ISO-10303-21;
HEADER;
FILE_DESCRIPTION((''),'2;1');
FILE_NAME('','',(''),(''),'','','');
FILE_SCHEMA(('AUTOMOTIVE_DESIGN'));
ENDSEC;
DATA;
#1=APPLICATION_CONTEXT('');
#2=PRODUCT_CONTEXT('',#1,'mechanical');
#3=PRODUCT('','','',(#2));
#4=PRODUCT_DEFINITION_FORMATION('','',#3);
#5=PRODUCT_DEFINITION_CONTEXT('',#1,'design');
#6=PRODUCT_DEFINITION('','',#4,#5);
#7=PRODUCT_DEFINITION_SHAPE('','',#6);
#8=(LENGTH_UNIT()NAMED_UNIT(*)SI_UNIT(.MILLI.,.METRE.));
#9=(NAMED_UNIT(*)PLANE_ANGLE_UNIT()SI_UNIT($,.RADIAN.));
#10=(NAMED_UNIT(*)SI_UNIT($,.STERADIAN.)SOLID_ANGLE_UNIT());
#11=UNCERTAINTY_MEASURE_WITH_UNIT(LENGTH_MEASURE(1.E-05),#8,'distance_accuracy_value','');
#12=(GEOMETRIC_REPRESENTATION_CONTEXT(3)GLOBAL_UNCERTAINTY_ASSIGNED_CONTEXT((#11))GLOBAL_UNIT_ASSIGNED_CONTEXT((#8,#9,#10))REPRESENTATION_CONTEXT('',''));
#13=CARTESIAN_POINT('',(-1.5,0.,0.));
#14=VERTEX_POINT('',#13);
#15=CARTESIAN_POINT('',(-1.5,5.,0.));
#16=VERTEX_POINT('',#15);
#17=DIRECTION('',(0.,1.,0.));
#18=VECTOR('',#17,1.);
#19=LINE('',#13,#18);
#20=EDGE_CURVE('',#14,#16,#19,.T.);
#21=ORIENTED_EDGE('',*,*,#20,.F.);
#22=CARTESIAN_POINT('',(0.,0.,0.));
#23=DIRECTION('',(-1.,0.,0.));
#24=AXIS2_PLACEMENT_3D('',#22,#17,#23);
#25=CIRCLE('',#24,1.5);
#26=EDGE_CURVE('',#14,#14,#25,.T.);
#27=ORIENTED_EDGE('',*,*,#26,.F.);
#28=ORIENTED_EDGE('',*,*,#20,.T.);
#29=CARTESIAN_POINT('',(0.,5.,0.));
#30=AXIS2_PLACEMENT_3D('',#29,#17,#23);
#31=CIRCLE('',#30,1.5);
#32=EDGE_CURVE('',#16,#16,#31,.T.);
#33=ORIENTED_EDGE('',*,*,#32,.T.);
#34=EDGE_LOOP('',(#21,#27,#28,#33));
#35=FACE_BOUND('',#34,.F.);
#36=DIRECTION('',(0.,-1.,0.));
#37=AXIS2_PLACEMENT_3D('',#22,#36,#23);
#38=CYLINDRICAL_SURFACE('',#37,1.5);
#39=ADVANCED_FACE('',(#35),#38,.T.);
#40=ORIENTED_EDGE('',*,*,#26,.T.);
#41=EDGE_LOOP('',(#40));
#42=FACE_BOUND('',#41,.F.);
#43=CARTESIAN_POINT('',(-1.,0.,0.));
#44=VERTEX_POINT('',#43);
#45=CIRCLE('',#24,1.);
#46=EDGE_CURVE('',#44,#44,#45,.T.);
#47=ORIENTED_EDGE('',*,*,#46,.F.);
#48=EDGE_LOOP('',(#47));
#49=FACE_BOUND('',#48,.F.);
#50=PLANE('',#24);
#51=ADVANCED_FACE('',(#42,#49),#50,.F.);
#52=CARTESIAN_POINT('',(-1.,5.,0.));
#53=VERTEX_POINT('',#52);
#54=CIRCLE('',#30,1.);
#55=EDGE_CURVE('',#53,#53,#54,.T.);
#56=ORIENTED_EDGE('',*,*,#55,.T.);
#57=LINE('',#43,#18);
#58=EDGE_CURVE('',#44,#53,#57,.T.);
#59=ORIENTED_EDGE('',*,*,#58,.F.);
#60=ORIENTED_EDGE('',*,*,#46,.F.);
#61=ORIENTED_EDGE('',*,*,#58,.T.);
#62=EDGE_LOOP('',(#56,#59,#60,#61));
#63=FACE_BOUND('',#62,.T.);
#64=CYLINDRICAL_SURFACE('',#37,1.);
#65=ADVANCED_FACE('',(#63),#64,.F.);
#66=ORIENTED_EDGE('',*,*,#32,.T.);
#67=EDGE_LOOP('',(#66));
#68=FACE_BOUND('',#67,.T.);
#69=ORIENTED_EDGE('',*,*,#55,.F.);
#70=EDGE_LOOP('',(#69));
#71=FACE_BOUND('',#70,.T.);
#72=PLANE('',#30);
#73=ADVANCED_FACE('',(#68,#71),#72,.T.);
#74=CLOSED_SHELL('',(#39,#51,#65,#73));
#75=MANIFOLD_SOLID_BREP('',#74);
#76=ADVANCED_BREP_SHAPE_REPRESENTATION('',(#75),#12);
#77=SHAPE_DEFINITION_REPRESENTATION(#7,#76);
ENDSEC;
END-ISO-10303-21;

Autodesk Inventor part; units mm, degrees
ref_plane "YZ Plane" through (0, 0, 0) normal (1, 0, 0) x (0, 1, 0)
ref_plane "XZ Plane" through (0, 0, 0) normal (0, 1, 0) x (-1, 0, 0)
ref_plane "XY Plane" through (0, 0, 0) normal (0, 0, 1) x (1, 0, 0)
sketch "Sketch1" plane through (0, 0, 0) normal (0, 1, 0) x (-1, 0, 0)
  circle A0 centre (0, 0) radius 1.5
  circle A1 centre (0, 0) radius 1
  dimension "d0" = 3
  dimension "d1" = 2
extrude "Extrusion1" add sketch "Sketch1" along normal blind 5
properties part number "dummy_air_tube_3mm"
